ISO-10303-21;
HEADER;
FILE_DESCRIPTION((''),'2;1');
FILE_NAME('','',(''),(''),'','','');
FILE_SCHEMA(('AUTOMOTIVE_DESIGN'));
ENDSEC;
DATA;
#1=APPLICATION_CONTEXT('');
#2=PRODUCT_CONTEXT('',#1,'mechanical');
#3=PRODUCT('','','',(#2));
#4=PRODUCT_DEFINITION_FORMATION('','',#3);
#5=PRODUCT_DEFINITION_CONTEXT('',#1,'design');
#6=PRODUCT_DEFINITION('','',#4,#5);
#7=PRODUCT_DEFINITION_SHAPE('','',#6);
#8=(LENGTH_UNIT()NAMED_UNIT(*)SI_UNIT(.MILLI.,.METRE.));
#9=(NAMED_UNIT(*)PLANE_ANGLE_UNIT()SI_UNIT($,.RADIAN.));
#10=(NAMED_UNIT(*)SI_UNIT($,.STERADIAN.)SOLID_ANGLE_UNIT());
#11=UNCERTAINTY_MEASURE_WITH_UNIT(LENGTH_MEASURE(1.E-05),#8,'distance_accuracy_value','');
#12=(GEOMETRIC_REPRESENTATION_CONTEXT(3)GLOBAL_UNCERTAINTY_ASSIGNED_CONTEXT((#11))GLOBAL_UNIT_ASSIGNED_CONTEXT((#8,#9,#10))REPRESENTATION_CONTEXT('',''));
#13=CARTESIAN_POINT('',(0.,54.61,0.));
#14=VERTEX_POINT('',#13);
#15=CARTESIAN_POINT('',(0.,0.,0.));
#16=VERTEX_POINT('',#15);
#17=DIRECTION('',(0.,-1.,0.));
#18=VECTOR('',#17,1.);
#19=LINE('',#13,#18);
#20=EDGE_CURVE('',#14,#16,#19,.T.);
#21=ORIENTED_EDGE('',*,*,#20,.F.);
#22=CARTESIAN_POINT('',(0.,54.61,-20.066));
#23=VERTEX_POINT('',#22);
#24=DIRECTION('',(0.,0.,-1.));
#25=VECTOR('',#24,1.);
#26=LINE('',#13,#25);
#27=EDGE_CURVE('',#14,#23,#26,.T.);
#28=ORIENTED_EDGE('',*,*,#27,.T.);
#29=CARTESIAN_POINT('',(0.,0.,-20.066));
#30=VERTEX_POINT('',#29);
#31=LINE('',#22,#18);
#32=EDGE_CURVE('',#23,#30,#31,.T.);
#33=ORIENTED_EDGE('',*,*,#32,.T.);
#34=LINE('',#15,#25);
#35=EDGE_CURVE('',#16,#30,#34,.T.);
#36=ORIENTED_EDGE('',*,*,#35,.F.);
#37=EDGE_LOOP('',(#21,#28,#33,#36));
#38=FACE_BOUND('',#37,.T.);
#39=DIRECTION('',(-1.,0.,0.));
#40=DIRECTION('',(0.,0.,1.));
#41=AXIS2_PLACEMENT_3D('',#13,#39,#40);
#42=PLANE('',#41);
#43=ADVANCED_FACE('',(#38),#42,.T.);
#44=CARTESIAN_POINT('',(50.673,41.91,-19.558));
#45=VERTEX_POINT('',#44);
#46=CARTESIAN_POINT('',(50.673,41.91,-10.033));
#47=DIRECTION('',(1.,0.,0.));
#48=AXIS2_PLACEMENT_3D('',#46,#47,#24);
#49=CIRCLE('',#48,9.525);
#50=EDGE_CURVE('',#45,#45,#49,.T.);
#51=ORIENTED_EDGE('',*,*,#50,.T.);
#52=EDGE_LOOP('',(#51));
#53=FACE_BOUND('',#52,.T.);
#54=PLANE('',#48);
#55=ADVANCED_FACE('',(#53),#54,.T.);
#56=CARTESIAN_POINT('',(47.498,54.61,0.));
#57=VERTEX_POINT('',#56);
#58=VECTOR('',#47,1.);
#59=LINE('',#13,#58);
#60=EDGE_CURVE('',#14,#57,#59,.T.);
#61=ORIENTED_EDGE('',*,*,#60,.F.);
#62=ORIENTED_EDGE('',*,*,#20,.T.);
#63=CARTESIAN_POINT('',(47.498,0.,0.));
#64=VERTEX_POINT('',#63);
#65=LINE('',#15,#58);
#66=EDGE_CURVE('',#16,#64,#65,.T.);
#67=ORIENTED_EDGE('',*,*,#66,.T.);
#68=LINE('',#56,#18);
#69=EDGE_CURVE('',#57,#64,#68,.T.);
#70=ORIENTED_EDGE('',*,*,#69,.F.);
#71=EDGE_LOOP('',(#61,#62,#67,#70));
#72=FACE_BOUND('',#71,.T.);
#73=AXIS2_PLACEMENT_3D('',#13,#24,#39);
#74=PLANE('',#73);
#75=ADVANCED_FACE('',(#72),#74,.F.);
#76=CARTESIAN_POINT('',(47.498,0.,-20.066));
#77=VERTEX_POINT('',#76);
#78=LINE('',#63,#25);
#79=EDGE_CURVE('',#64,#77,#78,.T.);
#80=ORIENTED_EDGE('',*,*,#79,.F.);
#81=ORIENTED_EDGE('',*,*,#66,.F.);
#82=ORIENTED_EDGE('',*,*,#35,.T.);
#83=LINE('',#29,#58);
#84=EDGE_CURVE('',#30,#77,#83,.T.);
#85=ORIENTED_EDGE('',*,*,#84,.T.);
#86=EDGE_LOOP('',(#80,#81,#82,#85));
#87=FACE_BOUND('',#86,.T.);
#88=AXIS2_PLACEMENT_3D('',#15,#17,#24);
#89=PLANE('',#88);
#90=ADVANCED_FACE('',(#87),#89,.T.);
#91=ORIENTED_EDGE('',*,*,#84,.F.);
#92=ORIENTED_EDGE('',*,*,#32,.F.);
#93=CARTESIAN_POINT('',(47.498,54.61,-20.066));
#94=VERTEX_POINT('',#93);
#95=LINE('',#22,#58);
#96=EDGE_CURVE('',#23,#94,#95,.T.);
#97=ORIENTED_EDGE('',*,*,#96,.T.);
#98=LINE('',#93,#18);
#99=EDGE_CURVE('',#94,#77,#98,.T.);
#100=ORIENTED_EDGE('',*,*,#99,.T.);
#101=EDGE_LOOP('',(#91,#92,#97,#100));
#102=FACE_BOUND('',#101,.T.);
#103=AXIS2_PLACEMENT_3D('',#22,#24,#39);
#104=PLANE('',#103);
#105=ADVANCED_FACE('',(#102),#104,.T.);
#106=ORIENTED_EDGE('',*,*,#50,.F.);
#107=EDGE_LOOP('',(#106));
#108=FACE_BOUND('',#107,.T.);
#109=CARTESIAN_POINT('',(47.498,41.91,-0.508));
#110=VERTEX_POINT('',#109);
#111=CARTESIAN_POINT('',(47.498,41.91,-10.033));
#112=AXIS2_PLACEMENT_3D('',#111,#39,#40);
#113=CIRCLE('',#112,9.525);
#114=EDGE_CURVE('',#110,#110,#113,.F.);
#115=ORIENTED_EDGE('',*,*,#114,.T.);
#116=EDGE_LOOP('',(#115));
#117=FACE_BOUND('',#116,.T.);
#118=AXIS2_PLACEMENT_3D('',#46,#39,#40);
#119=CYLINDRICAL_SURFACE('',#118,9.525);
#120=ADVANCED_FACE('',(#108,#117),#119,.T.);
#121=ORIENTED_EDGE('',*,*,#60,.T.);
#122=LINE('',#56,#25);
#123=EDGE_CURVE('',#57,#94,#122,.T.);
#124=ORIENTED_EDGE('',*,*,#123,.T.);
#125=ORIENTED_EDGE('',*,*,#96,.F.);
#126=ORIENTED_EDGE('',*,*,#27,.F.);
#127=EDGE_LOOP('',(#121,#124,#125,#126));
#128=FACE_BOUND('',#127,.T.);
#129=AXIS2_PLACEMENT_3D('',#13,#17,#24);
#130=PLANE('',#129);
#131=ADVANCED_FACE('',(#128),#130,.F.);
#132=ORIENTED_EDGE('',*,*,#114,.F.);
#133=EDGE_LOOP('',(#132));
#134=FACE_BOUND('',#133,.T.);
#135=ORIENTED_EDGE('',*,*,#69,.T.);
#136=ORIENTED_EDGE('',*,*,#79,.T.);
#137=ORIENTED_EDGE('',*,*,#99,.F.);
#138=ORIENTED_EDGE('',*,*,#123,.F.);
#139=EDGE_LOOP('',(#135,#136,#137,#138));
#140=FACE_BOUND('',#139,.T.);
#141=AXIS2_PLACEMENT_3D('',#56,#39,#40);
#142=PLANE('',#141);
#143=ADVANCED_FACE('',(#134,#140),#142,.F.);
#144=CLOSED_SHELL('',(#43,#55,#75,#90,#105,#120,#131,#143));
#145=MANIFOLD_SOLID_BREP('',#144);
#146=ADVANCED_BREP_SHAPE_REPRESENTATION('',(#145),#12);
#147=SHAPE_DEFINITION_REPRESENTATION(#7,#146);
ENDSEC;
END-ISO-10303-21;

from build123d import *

# Parameters (mm, degrees)
SKETCH1_W           = 47.498
SKETCH1_H           = 20.066
BOSS_EXTRUDE1_DEPTH = 54.61
SKETCH2_R           = 9.525
BOSS_EXTRUDE2_DEPTH = 3.175


with BuildPart() as part:
    # Sketch1 → Boss-Extrude1 (new body)
    with BuildSketch(Plane(origin=(0, 0, 0), x_dir=(1, 0, 0), z_dir=(0, 1, 0))):
        with Locations((23.749, 10.033)):
            Rectangle(SKETCH1_W, SKETCH1_H)
    extrude(amount=BOSS_EXTRUDE1_DEPTH)

    # Sketch2 → Boss-Extrude2 (add)
    with BuildSketch(Plane(origin=(47.498, 0, 0), x_dir=(0, 0, -1), z_dir=(1, 0, 0))):
        with Locations(Location((10.033, 41.91, 0), (0, 0, 180))):
            Circle(SKETCH2_R)
    extrude(amount=BOSS_EXTRUDE2_DEPTH)


solid = part.part
